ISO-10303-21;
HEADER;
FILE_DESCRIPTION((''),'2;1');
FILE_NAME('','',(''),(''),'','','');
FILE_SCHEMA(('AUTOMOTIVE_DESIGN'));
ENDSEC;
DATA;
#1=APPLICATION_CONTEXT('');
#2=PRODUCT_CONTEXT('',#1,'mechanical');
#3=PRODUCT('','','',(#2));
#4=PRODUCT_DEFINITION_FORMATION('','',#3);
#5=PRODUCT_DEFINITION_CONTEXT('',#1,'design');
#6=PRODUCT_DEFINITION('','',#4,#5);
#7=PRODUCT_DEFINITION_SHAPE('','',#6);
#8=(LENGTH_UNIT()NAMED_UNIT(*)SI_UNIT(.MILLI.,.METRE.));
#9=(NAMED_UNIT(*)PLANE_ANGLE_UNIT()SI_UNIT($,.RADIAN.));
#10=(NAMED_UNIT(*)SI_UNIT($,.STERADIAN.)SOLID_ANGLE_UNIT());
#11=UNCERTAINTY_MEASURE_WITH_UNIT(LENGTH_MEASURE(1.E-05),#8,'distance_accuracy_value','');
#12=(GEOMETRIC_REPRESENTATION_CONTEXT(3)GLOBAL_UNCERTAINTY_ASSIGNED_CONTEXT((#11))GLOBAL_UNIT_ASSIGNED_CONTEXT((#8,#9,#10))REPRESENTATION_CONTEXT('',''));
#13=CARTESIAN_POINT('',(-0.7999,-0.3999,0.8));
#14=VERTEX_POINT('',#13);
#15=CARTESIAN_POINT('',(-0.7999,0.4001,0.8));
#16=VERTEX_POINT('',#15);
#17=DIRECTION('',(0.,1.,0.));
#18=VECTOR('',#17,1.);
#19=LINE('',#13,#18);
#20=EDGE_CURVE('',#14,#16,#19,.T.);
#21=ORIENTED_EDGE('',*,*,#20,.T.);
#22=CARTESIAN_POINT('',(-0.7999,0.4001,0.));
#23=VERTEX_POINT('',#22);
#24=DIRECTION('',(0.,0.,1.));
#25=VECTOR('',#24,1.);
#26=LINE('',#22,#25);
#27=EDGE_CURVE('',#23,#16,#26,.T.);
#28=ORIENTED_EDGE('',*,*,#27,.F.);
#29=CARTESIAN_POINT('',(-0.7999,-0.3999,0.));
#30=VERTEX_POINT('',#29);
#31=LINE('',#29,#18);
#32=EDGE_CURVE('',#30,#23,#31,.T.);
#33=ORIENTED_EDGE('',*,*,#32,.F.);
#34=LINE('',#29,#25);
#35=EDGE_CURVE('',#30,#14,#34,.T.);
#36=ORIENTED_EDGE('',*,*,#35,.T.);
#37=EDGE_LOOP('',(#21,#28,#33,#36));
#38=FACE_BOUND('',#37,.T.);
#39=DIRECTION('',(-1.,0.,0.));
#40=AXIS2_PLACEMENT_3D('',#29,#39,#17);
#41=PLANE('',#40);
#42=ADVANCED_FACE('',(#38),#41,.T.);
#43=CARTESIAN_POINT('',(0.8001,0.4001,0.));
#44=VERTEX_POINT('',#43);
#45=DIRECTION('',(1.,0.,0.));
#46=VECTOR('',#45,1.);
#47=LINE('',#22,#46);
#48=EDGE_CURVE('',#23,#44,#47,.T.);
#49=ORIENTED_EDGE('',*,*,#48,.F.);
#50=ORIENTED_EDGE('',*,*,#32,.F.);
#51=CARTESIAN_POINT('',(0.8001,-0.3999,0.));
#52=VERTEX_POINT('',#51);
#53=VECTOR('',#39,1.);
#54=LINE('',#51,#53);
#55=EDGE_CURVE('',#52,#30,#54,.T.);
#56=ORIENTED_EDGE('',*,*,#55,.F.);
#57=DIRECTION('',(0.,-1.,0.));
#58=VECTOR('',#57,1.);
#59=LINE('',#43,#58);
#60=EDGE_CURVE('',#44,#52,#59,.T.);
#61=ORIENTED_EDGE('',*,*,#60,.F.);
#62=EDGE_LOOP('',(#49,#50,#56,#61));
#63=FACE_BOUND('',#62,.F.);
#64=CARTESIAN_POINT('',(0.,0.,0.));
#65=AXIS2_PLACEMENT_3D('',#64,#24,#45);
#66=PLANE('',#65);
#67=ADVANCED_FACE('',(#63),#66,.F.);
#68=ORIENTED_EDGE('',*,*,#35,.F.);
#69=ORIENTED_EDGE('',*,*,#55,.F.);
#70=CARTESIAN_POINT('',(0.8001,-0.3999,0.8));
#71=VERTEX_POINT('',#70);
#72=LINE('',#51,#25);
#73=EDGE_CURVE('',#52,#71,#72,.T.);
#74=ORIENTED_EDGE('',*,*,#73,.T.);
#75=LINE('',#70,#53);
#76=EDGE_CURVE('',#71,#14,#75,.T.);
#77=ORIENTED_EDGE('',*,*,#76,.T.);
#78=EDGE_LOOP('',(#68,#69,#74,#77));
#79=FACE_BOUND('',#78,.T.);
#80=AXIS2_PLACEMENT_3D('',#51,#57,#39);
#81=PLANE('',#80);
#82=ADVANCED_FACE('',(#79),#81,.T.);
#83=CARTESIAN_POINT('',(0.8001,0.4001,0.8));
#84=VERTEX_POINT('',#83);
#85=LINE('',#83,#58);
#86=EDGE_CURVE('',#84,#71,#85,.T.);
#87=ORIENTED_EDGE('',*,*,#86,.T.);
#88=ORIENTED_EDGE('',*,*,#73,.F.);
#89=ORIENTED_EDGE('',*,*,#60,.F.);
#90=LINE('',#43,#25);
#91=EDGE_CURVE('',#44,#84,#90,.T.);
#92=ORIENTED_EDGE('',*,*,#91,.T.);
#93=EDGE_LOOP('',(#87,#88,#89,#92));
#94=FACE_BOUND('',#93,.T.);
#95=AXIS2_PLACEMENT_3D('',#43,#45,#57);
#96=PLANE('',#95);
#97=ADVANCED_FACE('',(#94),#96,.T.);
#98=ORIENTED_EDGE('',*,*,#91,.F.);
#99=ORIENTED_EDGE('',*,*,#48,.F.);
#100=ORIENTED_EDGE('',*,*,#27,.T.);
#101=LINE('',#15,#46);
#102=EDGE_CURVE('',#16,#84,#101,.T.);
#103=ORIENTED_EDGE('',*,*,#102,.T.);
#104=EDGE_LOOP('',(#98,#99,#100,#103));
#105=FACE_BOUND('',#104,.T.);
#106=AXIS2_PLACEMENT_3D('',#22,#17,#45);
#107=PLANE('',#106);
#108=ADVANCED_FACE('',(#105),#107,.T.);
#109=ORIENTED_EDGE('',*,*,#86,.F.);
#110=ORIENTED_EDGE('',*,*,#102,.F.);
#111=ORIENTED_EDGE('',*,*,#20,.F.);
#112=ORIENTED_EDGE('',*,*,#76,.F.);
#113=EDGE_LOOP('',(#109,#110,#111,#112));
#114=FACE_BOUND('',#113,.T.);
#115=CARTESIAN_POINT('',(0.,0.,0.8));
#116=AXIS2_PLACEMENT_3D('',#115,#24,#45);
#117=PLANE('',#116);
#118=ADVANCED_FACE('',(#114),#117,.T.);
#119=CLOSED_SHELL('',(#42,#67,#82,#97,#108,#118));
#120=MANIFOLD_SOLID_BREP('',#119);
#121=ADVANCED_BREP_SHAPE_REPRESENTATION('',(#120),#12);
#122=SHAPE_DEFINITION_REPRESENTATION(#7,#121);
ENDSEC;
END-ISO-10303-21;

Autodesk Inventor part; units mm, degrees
ref_plane "YZ Plane" through (0, 0, 0) normal (1, 0, 0) x (0, 1, 0)
ref_plane "XZ Plane" through (0, 0, 0) normal (0, 1, 0) x (-1, 0, 0)
ref_plane "XY Plane" through (0, 0, 0) normal (0, 0, 1) x (1, 0, 0)
sketch "R0603, 4.7K_98" plane through (0, 0, 0) normal (0, 0, 1) x (1, 0, 0)
  line L0 (0.8001, -0.3999) -> (-0.7999, -0.3999)
  line L1 (-0.7999, -0.3999) -> (-0.7999, 0.4001)
  line L2 (-0.7999, 0.4001) -> (0.8001, 0.4001)
  line L3 (0.8001, 0.4001) -> (0.8001, -0.3999)
extrude "Extrusion1" add sketch "R0603, 4.7K_98" along normal blind 0.8
properties part number "4.7K"
